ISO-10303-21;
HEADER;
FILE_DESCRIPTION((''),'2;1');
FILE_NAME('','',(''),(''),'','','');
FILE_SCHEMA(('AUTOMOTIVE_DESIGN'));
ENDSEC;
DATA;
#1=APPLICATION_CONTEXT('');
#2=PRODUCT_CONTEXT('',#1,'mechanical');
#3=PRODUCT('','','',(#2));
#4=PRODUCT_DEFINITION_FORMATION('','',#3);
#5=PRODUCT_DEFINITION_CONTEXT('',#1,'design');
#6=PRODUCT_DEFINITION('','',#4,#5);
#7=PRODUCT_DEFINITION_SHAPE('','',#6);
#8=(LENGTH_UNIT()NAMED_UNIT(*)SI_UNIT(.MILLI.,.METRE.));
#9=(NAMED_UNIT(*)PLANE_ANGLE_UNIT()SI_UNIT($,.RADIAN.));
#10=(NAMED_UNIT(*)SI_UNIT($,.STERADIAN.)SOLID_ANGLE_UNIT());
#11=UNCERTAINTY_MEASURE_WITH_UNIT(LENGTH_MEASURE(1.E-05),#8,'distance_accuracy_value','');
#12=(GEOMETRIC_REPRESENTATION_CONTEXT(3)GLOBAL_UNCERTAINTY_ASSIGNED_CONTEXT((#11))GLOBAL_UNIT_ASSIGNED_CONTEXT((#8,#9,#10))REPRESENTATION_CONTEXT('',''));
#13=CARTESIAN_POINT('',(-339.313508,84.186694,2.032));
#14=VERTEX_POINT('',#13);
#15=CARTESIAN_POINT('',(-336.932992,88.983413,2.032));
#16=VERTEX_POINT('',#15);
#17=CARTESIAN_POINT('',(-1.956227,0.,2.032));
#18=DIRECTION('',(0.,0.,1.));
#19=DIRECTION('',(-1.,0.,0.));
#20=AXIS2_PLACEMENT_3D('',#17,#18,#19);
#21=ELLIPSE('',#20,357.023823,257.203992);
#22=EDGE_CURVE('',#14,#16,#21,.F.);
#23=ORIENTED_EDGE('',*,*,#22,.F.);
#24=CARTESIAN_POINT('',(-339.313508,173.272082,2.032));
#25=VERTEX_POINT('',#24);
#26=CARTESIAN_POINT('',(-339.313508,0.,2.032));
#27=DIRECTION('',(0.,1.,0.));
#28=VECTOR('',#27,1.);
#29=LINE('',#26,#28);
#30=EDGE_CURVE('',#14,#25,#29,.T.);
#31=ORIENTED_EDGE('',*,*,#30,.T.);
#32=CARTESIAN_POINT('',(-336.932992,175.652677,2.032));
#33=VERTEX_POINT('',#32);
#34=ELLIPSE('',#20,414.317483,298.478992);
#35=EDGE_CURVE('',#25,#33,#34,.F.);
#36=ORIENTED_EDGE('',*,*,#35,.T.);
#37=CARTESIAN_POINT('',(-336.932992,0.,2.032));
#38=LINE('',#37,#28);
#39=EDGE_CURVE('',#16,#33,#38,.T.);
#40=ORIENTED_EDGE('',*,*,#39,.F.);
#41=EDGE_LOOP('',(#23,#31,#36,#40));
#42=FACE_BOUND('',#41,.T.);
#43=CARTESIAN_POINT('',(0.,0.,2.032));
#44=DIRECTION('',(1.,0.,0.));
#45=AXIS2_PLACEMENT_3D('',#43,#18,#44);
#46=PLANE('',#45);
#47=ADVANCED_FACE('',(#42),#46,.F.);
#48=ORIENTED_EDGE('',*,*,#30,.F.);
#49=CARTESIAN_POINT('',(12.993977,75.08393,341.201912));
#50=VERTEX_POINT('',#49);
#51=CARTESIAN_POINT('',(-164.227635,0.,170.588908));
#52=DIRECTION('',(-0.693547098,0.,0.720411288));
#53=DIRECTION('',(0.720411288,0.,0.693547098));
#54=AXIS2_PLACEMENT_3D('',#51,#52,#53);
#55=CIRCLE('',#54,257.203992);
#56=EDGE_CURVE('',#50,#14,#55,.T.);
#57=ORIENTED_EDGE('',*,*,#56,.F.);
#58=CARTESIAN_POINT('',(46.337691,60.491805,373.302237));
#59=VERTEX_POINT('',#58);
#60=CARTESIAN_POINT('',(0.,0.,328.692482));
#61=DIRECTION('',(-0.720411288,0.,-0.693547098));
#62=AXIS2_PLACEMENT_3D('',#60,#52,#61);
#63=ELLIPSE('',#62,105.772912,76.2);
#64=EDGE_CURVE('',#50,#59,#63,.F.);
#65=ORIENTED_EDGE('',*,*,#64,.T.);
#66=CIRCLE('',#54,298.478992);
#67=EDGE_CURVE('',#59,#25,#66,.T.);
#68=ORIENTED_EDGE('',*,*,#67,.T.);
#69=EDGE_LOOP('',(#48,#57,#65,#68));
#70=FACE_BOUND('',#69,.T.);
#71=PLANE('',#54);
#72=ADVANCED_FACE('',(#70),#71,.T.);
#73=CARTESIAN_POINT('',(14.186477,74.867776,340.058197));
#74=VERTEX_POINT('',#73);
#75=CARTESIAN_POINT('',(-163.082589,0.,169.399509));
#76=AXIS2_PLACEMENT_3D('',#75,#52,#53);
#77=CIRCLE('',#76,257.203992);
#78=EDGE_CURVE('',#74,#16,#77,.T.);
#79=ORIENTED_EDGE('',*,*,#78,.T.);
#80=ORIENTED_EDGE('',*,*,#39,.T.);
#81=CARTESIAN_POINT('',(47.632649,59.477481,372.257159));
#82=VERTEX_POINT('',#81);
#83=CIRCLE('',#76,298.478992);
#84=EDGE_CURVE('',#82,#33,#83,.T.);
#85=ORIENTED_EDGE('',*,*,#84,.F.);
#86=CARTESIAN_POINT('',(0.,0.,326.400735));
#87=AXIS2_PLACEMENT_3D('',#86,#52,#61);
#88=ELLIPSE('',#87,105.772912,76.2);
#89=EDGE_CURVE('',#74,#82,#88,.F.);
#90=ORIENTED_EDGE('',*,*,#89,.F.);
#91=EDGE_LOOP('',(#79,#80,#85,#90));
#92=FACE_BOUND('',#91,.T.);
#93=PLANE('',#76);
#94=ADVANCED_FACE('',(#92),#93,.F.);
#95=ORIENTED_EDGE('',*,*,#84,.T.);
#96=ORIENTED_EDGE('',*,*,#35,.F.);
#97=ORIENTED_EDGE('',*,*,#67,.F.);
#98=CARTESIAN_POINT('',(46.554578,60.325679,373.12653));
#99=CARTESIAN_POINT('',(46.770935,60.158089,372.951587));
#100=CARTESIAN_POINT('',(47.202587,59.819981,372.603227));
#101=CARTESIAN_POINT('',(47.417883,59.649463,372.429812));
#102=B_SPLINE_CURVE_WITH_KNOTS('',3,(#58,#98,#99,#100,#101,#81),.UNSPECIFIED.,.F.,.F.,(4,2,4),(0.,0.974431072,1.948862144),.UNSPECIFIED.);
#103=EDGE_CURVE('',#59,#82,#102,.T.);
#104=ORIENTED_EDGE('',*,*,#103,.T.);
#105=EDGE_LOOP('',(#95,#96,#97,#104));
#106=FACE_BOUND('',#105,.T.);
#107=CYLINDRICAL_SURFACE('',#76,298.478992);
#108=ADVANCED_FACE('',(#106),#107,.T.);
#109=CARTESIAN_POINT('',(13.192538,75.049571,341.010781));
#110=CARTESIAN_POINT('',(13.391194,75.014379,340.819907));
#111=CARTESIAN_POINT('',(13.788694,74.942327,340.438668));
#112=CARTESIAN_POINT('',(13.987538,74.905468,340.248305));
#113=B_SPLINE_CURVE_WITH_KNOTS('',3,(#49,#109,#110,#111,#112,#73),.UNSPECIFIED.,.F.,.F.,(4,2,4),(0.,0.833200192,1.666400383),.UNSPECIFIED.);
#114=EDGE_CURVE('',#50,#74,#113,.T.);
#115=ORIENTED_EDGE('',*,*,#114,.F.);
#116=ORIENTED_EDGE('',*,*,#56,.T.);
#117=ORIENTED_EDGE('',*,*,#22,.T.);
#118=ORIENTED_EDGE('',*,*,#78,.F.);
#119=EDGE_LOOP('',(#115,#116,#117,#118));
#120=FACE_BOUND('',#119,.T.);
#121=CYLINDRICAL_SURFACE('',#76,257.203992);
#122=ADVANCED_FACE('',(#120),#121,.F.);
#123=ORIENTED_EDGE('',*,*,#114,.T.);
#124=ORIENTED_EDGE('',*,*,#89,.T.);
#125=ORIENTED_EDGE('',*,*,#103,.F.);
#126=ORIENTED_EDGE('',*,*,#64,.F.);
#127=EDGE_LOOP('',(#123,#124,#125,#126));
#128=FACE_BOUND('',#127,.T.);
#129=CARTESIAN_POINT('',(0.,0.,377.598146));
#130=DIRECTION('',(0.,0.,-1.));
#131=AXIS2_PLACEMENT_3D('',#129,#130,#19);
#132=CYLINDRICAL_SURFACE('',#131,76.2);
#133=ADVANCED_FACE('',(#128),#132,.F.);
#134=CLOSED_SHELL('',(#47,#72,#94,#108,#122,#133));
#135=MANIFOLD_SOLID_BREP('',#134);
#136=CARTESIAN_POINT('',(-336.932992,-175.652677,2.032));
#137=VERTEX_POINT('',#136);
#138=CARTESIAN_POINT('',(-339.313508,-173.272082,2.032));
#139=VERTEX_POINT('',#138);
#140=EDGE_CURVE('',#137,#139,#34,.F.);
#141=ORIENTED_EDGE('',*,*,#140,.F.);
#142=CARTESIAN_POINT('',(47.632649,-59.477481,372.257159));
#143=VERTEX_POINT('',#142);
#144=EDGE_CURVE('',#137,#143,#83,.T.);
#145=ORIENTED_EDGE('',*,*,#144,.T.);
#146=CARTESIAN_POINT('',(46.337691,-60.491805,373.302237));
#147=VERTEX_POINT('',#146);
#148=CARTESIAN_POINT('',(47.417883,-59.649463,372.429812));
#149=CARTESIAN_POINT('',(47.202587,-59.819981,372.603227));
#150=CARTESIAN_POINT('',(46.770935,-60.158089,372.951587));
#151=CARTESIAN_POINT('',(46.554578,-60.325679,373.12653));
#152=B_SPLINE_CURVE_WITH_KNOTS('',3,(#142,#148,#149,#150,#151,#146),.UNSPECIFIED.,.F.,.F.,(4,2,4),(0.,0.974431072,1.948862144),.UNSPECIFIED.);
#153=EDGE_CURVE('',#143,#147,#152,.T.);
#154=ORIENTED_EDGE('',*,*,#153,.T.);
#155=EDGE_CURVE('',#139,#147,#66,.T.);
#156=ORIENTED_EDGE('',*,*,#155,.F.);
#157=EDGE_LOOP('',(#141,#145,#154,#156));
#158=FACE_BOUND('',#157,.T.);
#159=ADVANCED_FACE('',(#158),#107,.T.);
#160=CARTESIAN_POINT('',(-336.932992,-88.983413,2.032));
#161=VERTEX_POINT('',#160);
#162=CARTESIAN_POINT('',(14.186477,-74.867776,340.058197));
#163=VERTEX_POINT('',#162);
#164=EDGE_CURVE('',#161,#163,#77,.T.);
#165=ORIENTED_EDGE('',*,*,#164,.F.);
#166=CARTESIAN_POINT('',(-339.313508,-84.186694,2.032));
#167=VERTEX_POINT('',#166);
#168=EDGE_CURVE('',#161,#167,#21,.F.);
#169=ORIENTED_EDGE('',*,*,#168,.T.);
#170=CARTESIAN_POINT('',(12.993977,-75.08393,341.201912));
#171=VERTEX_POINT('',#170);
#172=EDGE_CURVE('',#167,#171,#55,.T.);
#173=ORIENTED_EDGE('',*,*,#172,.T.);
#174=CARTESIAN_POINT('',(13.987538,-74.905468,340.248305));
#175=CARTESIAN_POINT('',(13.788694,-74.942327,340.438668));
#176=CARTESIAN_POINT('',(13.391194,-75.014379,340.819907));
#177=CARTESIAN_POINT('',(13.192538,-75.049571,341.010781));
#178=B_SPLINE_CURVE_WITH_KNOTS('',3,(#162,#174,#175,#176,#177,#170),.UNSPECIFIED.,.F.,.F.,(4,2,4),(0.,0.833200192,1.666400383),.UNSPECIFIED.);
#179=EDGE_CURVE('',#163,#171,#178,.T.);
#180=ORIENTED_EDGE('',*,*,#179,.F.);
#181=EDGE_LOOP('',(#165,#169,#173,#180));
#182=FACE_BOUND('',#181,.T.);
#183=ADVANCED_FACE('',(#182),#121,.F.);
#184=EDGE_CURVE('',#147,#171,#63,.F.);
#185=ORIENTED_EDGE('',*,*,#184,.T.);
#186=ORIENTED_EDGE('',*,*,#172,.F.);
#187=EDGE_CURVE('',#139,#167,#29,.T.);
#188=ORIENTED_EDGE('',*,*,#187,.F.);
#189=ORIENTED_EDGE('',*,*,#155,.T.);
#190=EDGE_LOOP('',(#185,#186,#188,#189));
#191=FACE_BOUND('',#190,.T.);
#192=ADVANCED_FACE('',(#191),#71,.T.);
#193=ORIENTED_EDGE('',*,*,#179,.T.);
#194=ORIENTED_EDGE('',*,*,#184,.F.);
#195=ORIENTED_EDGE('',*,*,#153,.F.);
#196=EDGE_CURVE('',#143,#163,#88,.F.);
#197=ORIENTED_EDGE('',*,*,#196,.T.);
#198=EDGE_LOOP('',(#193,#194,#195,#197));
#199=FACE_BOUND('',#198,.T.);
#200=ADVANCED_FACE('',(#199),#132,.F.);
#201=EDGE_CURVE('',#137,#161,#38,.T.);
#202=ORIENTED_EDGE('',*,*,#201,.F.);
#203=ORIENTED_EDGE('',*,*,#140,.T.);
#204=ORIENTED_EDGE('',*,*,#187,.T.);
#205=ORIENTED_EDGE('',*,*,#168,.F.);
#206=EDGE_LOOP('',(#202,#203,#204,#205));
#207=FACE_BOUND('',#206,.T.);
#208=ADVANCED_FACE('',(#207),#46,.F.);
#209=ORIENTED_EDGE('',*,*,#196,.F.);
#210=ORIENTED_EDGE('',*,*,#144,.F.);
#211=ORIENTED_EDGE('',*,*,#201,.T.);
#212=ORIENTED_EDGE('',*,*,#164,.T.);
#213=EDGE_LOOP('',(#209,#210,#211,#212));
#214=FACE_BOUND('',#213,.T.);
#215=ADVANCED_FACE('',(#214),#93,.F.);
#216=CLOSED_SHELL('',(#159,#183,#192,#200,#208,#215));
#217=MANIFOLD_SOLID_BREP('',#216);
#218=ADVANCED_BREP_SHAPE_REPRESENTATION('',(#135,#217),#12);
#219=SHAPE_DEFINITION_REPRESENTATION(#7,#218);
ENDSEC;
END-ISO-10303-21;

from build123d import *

# Parameters (mm, degrees)
SKETCH2_R               = 298.47899177
SKETCH2_R_2             = 257.20399177
EXTRUDE1_DEPTH          = 1.651
SKETCH3_R               = 76.2
CUT_EXTRUDE1_DEPTH      = 378.598146182
SKETCH4_R               = 381
CUT_EXTRUDE2_DEPTH      = 2.032
CUT_EXTRUDE2_DEPTH_BACK = 38.60972985


with BuildPart() as part:
    # Sketch2 → Extrude1 (new body)
    with BuildSketch(Plane(origin=(-164.227634794, 0, 170.588907734), x_dir=(0.720411288, 0, 0.693547098), z_dir=(-0.693547098, 0, 0.720411288))):
        Circle(SKETCH2_R)
        Circle(SKETCH2_R_2, mode=Mode.SUBTRACT)
    extrude(amount=-EXTRUDE1_DEPTH)

    # Sketch3 → Cut-Extrude1 (cut, through all)
    with BuildSketch(Plane.XY):
        Circle(SKETCH3_R)
    extrude(amount=CUT_EXTRUDE1_DEPTH, mode=Mode.SUBTRACT)

    # Sketch4 → Cut-Extrude2 (cut, two sides)
    with BuildSketch(Plane.XY) as cut_extrude2_sk:
        Circle(SKETCH4_R)
    extrude(amount=CUT_EXTRUDE2_DEPTH, mode=Mode.SUBTRACT)
    extrude(cut_extrude2_sk.sketch, amount=-CUT_EXTRUDE2_DEPTH_BACK, mode=Mode.SUBTRACT)


solid = part.part
